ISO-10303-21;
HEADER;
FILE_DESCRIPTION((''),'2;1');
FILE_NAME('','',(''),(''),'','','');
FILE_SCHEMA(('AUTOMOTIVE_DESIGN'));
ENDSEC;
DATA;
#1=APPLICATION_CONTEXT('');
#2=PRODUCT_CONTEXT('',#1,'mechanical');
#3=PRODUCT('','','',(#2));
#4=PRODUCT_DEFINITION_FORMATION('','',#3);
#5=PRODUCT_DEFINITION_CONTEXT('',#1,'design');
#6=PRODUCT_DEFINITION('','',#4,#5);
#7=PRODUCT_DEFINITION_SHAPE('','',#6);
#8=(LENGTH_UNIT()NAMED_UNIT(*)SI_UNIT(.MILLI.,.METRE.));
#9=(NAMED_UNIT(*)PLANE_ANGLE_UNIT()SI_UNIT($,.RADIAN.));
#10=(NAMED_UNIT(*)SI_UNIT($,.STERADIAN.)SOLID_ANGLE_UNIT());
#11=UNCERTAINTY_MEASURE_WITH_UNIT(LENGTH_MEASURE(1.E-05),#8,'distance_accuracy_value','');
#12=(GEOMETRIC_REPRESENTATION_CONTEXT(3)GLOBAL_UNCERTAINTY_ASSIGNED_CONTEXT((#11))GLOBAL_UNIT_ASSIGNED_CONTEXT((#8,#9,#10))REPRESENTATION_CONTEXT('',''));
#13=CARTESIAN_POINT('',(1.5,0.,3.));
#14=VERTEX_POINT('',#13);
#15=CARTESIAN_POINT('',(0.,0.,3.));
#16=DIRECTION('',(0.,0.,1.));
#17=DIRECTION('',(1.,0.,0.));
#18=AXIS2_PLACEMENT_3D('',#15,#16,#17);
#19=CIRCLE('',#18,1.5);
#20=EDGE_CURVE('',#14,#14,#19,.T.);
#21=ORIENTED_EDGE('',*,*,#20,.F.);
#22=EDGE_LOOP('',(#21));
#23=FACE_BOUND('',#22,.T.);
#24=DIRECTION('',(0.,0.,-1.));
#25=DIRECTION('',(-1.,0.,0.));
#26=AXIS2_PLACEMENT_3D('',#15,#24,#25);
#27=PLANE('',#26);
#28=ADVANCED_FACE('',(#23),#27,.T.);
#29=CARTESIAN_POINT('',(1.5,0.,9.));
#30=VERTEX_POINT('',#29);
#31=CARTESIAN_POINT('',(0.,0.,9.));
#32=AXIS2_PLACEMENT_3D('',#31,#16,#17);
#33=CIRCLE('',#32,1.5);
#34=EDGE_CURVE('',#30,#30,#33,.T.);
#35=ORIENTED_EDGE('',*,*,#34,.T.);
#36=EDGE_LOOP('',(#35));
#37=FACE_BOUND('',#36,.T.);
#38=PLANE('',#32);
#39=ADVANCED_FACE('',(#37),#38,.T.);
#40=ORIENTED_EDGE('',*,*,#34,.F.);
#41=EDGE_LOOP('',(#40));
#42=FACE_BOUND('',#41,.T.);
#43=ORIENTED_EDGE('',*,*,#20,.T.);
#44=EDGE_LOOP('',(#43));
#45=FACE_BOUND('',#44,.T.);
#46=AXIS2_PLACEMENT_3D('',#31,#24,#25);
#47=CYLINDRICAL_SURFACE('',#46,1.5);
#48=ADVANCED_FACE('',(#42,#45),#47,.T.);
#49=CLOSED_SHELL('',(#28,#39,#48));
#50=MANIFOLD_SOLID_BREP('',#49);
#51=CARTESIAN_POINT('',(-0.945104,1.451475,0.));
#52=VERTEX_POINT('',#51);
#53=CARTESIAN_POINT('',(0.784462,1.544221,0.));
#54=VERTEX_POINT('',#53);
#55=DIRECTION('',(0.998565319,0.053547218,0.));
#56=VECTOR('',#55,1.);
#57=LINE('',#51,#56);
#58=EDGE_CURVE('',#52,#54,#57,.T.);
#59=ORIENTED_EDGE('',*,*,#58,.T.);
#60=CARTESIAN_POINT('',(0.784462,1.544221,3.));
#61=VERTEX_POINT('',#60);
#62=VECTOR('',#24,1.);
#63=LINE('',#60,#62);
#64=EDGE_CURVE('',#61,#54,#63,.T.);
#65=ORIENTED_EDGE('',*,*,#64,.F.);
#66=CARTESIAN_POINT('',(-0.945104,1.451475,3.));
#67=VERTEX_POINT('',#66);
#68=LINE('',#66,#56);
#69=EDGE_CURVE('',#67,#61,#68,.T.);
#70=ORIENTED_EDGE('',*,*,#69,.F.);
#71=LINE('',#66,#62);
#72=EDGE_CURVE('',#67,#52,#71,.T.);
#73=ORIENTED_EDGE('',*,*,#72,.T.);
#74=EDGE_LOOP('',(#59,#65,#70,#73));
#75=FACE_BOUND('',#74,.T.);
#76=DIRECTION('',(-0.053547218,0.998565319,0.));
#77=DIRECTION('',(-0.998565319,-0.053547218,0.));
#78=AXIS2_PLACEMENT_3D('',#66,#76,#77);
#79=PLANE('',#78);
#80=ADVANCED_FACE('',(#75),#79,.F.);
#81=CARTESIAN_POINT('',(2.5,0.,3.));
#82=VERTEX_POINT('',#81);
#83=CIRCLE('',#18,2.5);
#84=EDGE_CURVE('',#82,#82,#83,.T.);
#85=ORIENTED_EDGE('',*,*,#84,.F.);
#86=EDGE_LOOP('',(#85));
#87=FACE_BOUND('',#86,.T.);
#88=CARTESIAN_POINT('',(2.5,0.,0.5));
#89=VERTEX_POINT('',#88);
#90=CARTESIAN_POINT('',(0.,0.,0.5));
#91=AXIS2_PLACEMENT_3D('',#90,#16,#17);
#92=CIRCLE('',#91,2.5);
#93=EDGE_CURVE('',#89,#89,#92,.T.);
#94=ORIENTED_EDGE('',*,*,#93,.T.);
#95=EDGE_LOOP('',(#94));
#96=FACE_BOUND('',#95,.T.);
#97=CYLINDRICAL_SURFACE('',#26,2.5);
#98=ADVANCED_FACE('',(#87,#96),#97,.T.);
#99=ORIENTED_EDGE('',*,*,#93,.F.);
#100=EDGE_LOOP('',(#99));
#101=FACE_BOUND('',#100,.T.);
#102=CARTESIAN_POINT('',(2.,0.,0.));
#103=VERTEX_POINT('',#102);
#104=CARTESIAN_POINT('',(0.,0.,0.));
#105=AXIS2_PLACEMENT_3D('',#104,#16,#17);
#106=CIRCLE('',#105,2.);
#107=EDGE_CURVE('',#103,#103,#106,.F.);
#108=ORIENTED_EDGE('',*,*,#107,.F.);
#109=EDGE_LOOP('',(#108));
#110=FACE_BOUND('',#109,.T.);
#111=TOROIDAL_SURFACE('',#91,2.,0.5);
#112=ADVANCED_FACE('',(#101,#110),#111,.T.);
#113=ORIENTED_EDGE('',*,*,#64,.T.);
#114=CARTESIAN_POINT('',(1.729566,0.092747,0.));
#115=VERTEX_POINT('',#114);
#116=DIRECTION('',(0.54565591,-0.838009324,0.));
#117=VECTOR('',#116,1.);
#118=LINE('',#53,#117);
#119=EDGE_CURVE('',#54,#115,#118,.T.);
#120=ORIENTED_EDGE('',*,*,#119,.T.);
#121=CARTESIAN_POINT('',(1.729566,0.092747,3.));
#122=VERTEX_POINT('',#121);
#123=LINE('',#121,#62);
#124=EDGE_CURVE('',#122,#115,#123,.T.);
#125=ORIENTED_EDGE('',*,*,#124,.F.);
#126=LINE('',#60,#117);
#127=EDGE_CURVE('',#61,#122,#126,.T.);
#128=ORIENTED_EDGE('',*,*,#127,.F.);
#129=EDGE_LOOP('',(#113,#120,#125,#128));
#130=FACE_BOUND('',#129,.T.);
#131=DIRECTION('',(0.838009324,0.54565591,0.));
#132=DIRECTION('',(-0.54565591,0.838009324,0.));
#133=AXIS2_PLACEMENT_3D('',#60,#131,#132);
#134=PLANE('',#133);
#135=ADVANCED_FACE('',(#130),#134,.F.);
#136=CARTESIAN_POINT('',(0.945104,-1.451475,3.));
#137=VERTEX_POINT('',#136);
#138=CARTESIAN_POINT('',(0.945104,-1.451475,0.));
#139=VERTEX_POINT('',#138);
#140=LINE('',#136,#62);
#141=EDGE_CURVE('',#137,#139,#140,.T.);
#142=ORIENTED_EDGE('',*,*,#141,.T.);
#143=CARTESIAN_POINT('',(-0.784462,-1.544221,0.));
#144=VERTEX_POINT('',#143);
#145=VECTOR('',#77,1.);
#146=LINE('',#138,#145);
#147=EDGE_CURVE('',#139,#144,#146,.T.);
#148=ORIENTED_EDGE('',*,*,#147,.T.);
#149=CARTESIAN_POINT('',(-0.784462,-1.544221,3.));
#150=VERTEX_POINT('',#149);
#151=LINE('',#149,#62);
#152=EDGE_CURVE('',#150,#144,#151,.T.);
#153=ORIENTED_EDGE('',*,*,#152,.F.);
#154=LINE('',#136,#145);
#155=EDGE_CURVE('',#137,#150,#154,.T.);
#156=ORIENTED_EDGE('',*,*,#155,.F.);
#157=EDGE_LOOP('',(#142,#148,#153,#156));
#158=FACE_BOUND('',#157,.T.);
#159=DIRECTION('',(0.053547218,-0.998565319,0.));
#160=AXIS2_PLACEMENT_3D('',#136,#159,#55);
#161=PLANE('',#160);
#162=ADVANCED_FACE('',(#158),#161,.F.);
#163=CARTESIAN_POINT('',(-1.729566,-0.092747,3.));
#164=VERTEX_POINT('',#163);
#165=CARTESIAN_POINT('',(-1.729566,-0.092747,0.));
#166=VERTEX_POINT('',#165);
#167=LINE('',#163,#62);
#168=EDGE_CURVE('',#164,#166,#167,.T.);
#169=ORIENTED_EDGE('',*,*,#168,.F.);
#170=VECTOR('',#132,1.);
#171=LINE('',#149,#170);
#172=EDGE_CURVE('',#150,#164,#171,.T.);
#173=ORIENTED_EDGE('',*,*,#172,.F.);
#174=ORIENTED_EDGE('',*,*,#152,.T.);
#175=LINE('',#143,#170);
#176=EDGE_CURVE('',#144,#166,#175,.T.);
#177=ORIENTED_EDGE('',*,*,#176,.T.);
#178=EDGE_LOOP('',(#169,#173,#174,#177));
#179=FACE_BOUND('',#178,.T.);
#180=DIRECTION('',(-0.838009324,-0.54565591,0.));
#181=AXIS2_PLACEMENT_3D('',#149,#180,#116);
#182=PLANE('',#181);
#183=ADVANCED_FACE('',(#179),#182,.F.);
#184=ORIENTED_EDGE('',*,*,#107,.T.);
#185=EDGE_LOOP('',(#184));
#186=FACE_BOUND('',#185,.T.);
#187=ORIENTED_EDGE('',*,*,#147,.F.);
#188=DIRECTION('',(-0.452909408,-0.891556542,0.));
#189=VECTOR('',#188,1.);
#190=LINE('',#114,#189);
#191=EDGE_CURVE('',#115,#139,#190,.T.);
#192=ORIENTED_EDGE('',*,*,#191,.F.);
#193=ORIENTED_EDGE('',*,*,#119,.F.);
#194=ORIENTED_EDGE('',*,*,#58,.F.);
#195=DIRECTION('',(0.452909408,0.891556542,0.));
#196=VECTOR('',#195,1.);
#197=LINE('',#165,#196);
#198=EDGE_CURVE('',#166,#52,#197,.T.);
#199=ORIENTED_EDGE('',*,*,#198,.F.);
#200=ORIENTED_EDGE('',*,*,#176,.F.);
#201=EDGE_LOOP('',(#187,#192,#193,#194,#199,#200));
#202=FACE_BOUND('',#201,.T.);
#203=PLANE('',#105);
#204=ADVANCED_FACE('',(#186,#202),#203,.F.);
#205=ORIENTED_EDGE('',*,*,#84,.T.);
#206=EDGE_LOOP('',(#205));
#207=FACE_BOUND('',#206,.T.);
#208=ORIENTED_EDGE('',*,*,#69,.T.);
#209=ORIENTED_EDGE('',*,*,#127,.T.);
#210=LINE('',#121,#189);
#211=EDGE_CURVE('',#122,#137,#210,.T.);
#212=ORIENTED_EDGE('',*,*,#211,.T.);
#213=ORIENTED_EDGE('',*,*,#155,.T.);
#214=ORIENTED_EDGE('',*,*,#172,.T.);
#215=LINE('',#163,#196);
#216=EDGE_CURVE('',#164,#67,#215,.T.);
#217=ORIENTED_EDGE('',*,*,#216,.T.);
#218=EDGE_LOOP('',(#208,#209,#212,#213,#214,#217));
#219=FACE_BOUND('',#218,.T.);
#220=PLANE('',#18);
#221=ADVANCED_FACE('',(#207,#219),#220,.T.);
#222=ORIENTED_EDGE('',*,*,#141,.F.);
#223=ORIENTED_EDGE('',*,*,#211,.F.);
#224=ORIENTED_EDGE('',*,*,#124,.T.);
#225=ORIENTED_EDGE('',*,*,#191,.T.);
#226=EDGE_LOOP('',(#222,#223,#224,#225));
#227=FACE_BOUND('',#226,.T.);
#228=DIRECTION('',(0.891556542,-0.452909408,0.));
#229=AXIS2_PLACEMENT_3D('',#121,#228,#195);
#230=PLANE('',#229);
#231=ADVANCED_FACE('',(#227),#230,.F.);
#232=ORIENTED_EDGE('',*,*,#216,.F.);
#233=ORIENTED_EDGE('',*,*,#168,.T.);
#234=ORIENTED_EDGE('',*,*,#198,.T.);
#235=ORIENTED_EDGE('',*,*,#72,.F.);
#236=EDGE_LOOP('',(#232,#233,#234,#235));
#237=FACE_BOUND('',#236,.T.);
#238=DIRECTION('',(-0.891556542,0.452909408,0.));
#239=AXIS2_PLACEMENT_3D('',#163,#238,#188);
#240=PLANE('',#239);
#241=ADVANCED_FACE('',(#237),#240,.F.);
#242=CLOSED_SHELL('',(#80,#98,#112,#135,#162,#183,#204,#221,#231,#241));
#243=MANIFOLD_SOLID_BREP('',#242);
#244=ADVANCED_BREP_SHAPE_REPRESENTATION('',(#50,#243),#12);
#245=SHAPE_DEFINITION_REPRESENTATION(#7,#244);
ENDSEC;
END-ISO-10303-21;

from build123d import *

# Parameters (mm, degrees)
SKETCH1_R           = 2.5
BOSS_EXTRUDE1_DEPTH = 3
SKETCH2_R           = 1.5
BOSS_EXTRUDE2_DEPTH = 6
CUT_EXTRUDE1_DEPTH  = 3
FILLET1_R           = 0.5


with BuildPart() as part:
    # Sketch1 → Boss-Extrude1 (new body)
    with BuildSketch(Plane.XY):
        Circle(SKETCH1_R)
    extrude(amount=BOSS_EXTRUDE1_DEPTH)

    # Sketch2 → Boss-Extrude2 (add)
    with BuildSketch(Plane.XY.offset(3)):
        Circle(SKETCH2_R)
    extrude(amount=BOSS_EXTRUDE2_DEPTH)

    # Sketch3 → Cut-Extrude1 (cut)
    with BuildSketch(Plane(origin=(0, 0, 0), x_dir=(-1, 0, 0), z_dir=(0, 0, -1))):
        Polygon((0.784462107, -1.544221229), (1.729565866, -0.092746502), (0.94510376, 1.451474727), (-0.784462107, 1.544221229), (-1.729565866, 0.092746502), (-0.94510376, -1.451474727), align=None)
    extrude(amount=-CUT_EXTRUDE1_DEPTH, mode=Mode.SUBTRACT)

    # Fillet1
    fillet1_edges = [part.edges().sort_by_distance(p)[0] for p in [
        (-2.5, 0, 0),
    ]]
    fillet(fillet1_edges, radius=FILLET1_R)


solid = part.part
